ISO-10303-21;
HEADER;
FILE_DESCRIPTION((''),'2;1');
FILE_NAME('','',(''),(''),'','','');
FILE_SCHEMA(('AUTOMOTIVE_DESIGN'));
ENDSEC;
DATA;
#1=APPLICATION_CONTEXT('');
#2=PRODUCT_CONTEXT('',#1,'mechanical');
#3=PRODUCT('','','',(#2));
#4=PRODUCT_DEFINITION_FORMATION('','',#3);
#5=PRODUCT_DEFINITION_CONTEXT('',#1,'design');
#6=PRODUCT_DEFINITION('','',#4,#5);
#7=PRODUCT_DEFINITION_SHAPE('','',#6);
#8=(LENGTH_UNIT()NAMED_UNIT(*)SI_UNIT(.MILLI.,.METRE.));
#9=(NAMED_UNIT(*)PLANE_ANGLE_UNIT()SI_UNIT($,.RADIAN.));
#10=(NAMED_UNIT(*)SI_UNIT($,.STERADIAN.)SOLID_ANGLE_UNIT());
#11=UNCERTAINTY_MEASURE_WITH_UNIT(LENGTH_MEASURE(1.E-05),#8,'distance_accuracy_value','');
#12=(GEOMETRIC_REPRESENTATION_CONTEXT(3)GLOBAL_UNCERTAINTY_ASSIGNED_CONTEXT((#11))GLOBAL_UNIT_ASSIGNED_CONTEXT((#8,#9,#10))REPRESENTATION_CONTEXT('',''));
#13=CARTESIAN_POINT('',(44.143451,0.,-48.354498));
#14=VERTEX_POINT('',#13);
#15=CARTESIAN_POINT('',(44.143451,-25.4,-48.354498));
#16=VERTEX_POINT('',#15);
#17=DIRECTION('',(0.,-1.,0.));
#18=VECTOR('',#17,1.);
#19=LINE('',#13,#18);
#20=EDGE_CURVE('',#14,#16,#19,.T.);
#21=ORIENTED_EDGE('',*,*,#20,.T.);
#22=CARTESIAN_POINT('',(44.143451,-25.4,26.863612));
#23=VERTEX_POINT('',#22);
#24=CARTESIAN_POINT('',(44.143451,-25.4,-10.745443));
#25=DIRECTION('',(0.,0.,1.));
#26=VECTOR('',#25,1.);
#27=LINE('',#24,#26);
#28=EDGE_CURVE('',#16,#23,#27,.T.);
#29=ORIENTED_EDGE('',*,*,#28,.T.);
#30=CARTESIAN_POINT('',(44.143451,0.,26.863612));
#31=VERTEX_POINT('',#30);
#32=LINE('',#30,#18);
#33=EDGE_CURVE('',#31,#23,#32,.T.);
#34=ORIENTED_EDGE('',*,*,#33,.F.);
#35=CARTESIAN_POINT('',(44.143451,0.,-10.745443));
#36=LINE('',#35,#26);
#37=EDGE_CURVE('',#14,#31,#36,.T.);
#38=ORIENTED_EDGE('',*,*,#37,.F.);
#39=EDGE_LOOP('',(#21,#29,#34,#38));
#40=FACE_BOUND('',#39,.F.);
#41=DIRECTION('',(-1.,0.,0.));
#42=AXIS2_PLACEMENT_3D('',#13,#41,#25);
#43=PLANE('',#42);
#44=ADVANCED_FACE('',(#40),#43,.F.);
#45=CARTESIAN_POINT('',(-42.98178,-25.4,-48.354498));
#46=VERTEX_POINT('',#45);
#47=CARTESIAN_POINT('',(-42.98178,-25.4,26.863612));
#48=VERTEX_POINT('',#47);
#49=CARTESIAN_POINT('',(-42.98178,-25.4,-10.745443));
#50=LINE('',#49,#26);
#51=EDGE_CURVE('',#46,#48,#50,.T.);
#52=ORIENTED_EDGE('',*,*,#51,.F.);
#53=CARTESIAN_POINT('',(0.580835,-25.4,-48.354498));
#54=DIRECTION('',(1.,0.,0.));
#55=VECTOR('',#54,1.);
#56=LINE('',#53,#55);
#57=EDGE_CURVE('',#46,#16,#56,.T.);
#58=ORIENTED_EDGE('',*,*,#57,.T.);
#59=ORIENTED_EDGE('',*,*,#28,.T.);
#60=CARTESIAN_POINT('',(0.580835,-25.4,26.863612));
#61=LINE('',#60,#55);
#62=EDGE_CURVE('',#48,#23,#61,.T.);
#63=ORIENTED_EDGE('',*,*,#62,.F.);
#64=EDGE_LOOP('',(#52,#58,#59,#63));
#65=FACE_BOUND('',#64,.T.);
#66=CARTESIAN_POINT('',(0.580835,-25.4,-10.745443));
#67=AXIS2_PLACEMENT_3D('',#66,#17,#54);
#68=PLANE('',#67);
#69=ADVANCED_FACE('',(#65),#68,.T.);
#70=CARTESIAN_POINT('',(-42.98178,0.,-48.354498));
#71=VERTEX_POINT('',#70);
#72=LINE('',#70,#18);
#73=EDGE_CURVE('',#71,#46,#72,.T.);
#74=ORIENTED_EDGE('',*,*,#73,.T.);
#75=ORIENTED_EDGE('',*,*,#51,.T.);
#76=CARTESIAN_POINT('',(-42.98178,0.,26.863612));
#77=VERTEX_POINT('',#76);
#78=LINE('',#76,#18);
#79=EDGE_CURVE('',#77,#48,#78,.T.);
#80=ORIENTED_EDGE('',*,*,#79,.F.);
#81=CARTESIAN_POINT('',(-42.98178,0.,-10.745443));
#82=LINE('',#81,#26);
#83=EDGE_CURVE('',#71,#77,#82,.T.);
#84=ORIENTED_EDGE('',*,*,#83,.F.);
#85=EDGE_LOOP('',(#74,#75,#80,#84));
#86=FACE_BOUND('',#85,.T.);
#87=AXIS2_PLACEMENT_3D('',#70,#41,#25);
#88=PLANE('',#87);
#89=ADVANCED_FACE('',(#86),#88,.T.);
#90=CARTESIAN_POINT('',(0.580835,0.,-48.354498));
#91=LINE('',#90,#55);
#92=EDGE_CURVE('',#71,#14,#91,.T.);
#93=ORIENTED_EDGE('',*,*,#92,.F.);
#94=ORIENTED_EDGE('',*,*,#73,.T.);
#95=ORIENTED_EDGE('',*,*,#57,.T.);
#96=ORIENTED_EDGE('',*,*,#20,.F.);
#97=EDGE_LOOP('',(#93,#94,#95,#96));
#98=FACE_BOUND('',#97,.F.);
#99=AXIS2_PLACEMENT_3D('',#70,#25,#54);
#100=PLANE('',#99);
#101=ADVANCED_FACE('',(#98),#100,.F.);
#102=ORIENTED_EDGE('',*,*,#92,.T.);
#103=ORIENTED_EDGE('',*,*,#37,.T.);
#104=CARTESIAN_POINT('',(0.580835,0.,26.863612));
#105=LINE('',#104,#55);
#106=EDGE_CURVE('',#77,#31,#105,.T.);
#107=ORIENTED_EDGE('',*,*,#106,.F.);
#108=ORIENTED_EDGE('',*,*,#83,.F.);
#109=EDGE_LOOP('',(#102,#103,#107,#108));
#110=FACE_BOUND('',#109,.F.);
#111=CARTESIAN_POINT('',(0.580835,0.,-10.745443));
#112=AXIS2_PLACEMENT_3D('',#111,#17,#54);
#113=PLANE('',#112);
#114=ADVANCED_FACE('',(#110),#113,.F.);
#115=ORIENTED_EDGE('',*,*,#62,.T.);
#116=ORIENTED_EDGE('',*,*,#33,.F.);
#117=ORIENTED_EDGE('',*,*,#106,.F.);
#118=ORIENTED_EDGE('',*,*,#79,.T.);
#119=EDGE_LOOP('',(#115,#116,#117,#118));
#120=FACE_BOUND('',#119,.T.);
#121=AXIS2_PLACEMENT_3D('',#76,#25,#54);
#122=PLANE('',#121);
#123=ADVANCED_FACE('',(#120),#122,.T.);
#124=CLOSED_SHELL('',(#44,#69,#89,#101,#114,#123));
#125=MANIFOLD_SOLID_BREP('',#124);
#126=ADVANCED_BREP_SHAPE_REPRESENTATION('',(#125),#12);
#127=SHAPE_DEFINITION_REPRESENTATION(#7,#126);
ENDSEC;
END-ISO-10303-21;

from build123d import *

# Parameters (mm, degrees)
F0_W     = 56.921816
F0_H     = 49.951795
F1_DEPTH = 25.4
F2_W     = 87.125231
F2_H     = 75.218111
F3_DEPTH = 25.4


with BuildPart() as f1:
    # F0 (on Front) → F1 (new body)
    with BuildSketch(Plane.XZ):
        with Locations((-1e-06, -8.276897)):
            Rectangle(F0_W, F0_H)
    extrude(amount=F1_DEPTH)

    # F2 (on Front) → F3 (join)
    with BuildSketch(Plane.XZ):
        with Locations((0.580835, -10.745443)):
            Rectangle(F2_W, F2_H)
    extrude(amount=F3_DEPTH)


solid = f1.part
